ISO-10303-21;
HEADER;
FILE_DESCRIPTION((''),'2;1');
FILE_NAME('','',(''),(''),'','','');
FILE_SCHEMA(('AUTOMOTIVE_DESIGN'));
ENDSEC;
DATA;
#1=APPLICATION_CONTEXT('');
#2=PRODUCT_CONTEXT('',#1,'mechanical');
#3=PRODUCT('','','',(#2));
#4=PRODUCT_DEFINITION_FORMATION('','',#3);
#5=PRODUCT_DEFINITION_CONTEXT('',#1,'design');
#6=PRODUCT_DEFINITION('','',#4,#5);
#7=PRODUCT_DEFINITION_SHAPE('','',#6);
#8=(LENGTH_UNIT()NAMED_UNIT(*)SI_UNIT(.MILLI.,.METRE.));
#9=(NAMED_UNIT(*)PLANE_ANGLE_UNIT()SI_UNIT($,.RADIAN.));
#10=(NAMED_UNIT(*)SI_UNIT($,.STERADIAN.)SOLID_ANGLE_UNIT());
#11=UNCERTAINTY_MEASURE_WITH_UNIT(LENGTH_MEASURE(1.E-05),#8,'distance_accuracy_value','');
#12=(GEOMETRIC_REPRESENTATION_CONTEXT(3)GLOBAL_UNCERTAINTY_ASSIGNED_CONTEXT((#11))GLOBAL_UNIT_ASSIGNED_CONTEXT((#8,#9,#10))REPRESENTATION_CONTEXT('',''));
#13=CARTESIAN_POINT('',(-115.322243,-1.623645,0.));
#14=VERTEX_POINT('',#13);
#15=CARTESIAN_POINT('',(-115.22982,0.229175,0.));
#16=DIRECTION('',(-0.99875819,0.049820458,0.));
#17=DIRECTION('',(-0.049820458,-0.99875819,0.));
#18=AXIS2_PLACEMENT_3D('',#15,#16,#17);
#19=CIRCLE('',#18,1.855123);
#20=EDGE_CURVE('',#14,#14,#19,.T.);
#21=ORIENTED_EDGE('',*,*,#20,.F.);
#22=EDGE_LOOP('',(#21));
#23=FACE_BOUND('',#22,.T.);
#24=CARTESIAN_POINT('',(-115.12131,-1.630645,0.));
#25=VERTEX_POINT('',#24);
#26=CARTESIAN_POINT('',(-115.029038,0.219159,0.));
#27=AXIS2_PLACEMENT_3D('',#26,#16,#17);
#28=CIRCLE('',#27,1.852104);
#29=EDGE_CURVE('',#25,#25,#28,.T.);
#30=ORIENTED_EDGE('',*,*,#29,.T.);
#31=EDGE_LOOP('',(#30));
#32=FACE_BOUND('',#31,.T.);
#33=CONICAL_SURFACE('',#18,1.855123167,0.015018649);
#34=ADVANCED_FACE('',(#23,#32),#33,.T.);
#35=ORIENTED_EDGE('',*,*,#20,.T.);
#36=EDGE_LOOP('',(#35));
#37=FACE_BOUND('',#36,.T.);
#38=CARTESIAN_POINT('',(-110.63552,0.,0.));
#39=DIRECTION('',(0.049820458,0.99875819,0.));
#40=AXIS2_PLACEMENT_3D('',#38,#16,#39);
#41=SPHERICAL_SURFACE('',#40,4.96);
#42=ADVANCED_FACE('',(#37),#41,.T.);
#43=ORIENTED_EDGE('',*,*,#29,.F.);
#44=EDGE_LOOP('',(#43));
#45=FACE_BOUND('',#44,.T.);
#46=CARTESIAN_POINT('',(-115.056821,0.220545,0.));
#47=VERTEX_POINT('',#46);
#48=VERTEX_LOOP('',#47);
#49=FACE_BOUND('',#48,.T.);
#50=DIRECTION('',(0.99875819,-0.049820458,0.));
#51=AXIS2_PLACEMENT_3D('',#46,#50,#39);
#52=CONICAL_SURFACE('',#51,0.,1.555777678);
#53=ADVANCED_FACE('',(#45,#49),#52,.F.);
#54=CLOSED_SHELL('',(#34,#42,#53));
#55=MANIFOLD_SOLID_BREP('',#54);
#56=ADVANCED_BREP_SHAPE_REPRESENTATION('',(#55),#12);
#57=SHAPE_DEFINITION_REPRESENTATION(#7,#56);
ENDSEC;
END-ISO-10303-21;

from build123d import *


with BuildPart() as part:
    # 草图1 → 旋转1 (revolve)
    with BuildSketch(Plane.XY):
        with BuildLine():
            Line((-115.589360424, 0.247109473), (-115.056821335, 0.220545144))
            Line((-115.056821335, 0.220545144), (-114.936765037, 2.068962975))
            Line((-114.936765037, 2.068962975), (-115.137397203, 2.081994204))
            ThreePointArc((-115.137397203, 2.081994204), (-115.451571227, 1.186275125), (-115.589360424, 0.247109473))
        make_face()
    revolve(axis=Axis((-115.589360424, 0.247109473, 0), (0.9987581899180289, -0.04982045836463798, 0)))


solid = part.part
